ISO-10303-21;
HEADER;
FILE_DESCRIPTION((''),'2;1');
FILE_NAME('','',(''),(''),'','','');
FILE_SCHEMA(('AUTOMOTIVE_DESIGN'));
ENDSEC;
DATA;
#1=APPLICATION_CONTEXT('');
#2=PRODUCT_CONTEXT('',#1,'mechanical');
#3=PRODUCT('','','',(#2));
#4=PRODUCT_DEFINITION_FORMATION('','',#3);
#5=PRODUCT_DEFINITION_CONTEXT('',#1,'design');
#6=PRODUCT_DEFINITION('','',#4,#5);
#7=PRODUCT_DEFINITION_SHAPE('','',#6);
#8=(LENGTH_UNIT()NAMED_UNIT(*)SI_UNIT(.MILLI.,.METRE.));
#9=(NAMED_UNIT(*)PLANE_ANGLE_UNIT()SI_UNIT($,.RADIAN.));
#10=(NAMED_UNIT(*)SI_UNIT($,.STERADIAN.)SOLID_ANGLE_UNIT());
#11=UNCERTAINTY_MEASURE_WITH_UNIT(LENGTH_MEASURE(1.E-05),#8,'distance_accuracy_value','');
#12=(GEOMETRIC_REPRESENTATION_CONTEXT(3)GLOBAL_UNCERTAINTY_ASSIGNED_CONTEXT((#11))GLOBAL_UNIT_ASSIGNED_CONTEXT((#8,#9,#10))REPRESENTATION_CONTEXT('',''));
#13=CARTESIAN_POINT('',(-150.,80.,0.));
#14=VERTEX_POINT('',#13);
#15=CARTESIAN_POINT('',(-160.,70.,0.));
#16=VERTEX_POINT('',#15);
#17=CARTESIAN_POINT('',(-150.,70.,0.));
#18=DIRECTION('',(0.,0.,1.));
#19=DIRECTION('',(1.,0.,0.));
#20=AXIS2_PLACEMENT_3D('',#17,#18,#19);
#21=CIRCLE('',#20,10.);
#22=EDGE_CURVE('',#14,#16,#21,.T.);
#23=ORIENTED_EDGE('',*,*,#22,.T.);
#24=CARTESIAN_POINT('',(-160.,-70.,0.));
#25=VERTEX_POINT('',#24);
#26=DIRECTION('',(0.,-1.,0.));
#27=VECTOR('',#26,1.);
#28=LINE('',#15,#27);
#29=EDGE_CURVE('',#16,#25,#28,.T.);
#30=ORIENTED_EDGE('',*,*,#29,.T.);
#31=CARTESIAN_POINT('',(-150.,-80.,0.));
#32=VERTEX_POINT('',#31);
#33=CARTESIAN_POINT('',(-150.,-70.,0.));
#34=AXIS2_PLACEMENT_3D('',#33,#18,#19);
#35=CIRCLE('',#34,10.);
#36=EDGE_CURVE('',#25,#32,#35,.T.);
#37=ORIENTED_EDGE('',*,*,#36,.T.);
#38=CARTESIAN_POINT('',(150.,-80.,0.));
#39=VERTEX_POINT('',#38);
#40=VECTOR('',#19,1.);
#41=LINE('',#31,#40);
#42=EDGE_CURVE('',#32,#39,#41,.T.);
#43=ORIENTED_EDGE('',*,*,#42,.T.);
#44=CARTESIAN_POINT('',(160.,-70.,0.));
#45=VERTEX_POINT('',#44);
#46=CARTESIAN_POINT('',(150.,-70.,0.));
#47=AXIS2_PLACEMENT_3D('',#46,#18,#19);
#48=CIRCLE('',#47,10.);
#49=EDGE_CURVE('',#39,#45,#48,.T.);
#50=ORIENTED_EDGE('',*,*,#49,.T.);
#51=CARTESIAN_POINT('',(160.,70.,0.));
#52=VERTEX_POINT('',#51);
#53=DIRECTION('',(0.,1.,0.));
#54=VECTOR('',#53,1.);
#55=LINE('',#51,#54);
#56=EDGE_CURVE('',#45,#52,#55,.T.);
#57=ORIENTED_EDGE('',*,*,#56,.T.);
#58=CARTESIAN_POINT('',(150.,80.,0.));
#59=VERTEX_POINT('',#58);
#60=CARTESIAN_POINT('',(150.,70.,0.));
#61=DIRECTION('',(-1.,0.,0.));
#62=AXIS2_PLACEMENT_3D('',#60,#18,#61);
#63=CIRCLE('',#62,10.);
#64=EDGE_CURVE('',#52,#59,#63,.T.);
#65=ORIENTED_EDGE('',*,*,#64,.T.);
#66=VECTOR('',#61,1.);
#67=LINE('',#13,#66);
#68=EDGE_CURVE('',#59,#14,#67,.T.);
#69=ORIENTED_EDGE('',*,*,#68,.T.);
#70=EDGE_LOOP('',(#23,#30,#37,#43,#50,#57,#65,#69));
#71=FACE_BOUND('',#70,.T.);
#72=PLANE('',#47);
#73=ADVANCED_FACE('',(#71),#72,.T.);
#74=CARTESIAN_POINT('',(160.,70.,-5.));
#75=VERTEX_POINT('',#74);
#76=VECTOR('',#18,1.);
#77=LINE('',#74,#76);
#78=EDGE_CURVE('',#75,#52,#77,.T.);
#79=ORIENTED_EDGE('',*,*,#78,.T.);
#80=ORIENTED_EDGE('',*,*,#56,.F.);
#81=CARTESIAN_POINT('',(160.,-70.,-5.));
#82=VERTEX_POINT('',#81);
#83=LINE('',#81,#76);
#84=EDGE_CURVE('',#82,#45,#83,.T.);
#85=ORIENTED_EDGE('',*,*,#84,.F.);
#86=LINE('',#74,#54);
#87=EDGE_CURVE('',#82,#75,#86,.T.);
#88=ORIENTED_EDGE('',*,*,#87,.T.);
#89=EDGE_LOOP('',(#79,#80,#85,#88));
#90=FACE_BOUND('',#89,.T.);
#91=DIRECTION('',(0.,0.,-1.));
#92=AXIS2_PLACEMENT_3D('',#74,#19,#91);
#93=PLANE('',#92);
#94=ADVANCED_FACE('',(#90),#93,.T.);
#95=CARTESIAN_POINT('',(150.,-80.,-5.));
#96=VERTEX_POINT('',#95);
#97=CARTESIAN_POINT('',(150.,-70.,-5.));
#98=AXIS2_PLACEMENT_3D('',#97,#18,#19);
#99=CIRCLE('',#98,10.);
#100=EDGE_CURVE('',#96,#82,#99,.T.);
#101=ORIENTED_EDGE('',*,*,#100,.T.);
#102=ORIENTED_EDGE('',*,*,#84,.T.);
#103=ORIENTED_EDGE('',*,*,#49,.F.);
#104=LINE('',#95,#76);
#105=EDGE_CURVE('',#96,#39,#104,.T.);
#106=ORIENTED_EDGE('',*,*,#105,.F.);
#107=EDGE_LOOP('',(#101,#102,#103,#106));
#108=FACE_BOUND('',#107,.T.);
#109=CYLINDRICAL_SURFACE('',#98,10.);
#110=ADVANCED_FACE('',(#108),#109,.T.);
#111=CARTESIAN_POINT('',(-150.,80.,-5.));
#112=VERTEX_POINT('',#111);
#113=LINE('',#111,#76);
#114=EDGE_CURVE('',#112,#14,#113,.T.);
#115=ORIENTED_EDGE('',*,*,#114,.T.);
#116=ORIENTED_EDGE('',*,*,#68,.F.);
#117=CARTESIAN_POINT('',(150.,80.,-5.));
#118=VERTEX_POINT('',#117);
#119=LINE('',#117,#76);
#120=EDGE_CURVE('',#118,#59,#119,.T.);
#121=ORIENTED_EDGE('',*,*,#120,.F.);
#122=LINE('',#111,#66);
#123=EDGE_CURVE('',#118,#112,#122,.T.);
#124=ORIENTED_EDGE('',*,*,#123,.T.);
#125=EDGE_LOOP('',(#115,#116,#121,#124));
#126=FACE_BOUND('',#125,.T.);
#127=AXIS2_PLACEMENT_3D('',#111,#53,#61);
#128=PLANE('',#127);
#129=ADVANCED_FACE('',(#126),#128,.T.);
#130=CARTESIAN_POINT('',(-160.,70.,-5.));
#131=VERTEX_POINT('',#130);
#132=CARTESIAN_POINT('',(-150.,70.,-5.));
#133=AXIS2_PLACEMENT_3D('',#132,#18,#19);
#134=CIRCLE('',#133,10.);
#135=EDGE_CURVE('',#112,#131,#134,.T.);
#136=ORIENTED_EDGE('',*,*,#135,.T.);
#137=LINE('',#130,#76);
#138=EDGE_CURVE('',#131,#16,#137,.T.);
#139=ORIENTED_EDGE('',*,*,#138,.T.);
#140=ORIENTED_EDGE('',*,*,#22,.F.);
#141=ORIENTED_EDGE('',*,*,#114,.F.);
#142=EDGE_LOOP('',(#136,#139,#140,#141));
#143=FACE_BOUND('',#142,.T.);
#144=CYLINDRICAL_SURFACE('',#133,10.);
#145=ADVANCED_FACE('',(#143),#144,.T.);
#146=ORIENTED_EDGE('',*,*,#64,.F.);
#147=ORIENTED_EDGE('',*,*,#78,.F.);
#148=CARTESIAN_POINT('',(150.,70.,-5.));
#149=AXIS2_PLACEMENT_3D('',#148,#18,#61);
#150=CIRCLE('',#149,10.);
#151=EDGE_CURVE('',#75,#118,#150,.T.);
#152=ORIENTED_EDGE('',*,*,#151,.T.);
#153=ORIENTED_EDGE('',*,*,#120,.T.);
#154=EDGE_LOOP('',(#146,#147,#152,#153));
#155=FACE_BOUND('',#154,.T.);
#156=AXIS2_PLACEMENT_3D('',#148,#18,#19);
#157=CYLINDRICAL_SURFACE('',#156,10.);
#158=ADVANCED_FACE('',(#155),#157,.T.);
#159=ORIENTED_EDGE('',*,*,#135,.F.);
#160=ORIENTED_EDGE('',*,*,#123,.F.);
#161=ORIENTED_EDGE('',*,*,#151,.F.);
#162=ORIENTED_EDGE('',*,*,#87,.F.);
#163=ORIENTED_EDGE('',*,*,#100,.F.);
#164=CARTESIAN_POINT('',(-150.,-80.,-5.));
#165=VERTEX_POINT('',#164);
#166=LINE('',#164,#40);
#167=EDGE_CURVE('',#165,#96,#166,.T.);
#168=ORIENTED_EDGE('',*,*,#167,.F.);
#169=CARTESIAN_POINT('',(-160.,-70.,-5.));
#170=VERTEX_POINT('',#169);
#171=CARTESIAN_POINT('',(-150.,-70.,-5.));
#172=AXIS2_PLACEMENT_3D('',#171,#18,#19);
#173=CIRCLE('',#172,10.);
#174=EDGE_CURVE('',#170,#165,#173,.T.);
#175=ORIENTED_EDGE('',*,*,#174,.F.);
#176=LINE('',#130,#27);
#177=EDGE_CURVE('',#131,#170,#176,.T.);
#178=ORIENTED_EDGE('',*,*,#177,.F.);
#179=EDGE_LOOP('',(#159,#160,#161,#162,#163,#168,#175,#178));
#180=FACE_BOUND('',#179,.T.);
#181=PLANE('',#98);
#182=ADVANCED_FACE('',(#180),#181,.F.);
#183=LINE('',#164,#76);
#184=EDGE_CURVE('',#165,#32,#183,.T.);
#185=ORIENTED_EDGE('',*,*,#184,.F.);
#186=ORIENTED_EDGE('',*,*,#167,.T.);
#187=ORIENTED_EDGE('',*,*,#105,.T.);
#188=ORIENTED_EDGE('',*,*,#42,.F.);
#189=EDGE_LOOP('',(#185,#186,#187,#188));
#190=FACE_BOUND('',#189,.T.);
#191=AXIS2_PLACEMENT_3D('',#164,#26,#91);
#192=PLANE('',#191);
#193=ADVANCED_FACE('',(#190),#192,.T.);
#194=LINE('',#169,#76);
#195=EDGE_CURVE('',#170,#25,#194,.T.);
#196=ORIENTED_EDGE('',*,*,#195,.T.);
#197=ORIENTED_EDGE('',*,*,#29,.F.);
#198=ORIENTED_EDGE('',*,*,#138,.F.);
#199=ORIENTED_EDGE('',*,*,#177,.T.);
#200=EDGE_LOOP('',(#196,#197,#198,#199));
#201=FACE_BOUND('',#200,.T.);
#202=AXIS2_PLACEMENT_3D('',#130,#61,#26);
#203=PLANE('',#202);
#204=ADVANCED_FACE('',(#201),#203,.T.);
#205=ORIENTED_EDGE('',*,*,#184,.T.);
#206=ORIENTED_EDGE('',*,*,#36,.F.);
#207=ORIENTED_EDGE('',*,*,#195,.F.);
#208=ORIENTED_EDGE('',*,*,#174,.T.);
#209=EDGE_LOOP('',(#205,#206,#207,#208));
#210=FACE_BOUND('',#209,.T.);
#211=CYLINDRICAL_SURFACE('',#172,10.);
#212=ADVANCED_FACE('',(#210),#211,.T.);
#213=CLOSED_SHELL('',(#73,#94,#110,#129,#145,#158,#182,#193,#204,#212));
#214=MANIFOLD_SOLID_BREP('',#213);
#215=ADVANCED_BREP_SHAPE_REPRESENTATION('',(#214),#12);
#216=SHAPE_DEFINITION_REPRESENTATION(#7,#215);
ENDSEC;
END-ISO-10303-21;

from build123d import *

# Parameters (mm, degrees)
BOSS_EXTRUDE2_DEPTH = 5


with BuildPart() as part:
    # Sketch3 → Boss-Extrude2 (new body)
    with BuildSketch(Plane.XY):
        with BuildLine():
            Line((-150, 80), (150, 80))
            ThreePointArc((150, 80), (157.071067812, 77.071067812), (160, 70))
            Line((160, 70), (160, -70))
            ThreePointArc((160, -70), (157.071067812, -77.071067812), (150, -80))
            Line((150, -80), (-150, -80))
            ThreePointArc((-150, -80), (-157.071067812, -77.071067812), (-160, -70))
            Line((-160, -70), (-160, 70))
            ThreePointArc((-160, 70), (-157.071067812, 77.071067812), (-150, 80))
        make_face()
    extrude(amount=-BOSS_EXTRUDE2_DEPTH)


solid = part.part
